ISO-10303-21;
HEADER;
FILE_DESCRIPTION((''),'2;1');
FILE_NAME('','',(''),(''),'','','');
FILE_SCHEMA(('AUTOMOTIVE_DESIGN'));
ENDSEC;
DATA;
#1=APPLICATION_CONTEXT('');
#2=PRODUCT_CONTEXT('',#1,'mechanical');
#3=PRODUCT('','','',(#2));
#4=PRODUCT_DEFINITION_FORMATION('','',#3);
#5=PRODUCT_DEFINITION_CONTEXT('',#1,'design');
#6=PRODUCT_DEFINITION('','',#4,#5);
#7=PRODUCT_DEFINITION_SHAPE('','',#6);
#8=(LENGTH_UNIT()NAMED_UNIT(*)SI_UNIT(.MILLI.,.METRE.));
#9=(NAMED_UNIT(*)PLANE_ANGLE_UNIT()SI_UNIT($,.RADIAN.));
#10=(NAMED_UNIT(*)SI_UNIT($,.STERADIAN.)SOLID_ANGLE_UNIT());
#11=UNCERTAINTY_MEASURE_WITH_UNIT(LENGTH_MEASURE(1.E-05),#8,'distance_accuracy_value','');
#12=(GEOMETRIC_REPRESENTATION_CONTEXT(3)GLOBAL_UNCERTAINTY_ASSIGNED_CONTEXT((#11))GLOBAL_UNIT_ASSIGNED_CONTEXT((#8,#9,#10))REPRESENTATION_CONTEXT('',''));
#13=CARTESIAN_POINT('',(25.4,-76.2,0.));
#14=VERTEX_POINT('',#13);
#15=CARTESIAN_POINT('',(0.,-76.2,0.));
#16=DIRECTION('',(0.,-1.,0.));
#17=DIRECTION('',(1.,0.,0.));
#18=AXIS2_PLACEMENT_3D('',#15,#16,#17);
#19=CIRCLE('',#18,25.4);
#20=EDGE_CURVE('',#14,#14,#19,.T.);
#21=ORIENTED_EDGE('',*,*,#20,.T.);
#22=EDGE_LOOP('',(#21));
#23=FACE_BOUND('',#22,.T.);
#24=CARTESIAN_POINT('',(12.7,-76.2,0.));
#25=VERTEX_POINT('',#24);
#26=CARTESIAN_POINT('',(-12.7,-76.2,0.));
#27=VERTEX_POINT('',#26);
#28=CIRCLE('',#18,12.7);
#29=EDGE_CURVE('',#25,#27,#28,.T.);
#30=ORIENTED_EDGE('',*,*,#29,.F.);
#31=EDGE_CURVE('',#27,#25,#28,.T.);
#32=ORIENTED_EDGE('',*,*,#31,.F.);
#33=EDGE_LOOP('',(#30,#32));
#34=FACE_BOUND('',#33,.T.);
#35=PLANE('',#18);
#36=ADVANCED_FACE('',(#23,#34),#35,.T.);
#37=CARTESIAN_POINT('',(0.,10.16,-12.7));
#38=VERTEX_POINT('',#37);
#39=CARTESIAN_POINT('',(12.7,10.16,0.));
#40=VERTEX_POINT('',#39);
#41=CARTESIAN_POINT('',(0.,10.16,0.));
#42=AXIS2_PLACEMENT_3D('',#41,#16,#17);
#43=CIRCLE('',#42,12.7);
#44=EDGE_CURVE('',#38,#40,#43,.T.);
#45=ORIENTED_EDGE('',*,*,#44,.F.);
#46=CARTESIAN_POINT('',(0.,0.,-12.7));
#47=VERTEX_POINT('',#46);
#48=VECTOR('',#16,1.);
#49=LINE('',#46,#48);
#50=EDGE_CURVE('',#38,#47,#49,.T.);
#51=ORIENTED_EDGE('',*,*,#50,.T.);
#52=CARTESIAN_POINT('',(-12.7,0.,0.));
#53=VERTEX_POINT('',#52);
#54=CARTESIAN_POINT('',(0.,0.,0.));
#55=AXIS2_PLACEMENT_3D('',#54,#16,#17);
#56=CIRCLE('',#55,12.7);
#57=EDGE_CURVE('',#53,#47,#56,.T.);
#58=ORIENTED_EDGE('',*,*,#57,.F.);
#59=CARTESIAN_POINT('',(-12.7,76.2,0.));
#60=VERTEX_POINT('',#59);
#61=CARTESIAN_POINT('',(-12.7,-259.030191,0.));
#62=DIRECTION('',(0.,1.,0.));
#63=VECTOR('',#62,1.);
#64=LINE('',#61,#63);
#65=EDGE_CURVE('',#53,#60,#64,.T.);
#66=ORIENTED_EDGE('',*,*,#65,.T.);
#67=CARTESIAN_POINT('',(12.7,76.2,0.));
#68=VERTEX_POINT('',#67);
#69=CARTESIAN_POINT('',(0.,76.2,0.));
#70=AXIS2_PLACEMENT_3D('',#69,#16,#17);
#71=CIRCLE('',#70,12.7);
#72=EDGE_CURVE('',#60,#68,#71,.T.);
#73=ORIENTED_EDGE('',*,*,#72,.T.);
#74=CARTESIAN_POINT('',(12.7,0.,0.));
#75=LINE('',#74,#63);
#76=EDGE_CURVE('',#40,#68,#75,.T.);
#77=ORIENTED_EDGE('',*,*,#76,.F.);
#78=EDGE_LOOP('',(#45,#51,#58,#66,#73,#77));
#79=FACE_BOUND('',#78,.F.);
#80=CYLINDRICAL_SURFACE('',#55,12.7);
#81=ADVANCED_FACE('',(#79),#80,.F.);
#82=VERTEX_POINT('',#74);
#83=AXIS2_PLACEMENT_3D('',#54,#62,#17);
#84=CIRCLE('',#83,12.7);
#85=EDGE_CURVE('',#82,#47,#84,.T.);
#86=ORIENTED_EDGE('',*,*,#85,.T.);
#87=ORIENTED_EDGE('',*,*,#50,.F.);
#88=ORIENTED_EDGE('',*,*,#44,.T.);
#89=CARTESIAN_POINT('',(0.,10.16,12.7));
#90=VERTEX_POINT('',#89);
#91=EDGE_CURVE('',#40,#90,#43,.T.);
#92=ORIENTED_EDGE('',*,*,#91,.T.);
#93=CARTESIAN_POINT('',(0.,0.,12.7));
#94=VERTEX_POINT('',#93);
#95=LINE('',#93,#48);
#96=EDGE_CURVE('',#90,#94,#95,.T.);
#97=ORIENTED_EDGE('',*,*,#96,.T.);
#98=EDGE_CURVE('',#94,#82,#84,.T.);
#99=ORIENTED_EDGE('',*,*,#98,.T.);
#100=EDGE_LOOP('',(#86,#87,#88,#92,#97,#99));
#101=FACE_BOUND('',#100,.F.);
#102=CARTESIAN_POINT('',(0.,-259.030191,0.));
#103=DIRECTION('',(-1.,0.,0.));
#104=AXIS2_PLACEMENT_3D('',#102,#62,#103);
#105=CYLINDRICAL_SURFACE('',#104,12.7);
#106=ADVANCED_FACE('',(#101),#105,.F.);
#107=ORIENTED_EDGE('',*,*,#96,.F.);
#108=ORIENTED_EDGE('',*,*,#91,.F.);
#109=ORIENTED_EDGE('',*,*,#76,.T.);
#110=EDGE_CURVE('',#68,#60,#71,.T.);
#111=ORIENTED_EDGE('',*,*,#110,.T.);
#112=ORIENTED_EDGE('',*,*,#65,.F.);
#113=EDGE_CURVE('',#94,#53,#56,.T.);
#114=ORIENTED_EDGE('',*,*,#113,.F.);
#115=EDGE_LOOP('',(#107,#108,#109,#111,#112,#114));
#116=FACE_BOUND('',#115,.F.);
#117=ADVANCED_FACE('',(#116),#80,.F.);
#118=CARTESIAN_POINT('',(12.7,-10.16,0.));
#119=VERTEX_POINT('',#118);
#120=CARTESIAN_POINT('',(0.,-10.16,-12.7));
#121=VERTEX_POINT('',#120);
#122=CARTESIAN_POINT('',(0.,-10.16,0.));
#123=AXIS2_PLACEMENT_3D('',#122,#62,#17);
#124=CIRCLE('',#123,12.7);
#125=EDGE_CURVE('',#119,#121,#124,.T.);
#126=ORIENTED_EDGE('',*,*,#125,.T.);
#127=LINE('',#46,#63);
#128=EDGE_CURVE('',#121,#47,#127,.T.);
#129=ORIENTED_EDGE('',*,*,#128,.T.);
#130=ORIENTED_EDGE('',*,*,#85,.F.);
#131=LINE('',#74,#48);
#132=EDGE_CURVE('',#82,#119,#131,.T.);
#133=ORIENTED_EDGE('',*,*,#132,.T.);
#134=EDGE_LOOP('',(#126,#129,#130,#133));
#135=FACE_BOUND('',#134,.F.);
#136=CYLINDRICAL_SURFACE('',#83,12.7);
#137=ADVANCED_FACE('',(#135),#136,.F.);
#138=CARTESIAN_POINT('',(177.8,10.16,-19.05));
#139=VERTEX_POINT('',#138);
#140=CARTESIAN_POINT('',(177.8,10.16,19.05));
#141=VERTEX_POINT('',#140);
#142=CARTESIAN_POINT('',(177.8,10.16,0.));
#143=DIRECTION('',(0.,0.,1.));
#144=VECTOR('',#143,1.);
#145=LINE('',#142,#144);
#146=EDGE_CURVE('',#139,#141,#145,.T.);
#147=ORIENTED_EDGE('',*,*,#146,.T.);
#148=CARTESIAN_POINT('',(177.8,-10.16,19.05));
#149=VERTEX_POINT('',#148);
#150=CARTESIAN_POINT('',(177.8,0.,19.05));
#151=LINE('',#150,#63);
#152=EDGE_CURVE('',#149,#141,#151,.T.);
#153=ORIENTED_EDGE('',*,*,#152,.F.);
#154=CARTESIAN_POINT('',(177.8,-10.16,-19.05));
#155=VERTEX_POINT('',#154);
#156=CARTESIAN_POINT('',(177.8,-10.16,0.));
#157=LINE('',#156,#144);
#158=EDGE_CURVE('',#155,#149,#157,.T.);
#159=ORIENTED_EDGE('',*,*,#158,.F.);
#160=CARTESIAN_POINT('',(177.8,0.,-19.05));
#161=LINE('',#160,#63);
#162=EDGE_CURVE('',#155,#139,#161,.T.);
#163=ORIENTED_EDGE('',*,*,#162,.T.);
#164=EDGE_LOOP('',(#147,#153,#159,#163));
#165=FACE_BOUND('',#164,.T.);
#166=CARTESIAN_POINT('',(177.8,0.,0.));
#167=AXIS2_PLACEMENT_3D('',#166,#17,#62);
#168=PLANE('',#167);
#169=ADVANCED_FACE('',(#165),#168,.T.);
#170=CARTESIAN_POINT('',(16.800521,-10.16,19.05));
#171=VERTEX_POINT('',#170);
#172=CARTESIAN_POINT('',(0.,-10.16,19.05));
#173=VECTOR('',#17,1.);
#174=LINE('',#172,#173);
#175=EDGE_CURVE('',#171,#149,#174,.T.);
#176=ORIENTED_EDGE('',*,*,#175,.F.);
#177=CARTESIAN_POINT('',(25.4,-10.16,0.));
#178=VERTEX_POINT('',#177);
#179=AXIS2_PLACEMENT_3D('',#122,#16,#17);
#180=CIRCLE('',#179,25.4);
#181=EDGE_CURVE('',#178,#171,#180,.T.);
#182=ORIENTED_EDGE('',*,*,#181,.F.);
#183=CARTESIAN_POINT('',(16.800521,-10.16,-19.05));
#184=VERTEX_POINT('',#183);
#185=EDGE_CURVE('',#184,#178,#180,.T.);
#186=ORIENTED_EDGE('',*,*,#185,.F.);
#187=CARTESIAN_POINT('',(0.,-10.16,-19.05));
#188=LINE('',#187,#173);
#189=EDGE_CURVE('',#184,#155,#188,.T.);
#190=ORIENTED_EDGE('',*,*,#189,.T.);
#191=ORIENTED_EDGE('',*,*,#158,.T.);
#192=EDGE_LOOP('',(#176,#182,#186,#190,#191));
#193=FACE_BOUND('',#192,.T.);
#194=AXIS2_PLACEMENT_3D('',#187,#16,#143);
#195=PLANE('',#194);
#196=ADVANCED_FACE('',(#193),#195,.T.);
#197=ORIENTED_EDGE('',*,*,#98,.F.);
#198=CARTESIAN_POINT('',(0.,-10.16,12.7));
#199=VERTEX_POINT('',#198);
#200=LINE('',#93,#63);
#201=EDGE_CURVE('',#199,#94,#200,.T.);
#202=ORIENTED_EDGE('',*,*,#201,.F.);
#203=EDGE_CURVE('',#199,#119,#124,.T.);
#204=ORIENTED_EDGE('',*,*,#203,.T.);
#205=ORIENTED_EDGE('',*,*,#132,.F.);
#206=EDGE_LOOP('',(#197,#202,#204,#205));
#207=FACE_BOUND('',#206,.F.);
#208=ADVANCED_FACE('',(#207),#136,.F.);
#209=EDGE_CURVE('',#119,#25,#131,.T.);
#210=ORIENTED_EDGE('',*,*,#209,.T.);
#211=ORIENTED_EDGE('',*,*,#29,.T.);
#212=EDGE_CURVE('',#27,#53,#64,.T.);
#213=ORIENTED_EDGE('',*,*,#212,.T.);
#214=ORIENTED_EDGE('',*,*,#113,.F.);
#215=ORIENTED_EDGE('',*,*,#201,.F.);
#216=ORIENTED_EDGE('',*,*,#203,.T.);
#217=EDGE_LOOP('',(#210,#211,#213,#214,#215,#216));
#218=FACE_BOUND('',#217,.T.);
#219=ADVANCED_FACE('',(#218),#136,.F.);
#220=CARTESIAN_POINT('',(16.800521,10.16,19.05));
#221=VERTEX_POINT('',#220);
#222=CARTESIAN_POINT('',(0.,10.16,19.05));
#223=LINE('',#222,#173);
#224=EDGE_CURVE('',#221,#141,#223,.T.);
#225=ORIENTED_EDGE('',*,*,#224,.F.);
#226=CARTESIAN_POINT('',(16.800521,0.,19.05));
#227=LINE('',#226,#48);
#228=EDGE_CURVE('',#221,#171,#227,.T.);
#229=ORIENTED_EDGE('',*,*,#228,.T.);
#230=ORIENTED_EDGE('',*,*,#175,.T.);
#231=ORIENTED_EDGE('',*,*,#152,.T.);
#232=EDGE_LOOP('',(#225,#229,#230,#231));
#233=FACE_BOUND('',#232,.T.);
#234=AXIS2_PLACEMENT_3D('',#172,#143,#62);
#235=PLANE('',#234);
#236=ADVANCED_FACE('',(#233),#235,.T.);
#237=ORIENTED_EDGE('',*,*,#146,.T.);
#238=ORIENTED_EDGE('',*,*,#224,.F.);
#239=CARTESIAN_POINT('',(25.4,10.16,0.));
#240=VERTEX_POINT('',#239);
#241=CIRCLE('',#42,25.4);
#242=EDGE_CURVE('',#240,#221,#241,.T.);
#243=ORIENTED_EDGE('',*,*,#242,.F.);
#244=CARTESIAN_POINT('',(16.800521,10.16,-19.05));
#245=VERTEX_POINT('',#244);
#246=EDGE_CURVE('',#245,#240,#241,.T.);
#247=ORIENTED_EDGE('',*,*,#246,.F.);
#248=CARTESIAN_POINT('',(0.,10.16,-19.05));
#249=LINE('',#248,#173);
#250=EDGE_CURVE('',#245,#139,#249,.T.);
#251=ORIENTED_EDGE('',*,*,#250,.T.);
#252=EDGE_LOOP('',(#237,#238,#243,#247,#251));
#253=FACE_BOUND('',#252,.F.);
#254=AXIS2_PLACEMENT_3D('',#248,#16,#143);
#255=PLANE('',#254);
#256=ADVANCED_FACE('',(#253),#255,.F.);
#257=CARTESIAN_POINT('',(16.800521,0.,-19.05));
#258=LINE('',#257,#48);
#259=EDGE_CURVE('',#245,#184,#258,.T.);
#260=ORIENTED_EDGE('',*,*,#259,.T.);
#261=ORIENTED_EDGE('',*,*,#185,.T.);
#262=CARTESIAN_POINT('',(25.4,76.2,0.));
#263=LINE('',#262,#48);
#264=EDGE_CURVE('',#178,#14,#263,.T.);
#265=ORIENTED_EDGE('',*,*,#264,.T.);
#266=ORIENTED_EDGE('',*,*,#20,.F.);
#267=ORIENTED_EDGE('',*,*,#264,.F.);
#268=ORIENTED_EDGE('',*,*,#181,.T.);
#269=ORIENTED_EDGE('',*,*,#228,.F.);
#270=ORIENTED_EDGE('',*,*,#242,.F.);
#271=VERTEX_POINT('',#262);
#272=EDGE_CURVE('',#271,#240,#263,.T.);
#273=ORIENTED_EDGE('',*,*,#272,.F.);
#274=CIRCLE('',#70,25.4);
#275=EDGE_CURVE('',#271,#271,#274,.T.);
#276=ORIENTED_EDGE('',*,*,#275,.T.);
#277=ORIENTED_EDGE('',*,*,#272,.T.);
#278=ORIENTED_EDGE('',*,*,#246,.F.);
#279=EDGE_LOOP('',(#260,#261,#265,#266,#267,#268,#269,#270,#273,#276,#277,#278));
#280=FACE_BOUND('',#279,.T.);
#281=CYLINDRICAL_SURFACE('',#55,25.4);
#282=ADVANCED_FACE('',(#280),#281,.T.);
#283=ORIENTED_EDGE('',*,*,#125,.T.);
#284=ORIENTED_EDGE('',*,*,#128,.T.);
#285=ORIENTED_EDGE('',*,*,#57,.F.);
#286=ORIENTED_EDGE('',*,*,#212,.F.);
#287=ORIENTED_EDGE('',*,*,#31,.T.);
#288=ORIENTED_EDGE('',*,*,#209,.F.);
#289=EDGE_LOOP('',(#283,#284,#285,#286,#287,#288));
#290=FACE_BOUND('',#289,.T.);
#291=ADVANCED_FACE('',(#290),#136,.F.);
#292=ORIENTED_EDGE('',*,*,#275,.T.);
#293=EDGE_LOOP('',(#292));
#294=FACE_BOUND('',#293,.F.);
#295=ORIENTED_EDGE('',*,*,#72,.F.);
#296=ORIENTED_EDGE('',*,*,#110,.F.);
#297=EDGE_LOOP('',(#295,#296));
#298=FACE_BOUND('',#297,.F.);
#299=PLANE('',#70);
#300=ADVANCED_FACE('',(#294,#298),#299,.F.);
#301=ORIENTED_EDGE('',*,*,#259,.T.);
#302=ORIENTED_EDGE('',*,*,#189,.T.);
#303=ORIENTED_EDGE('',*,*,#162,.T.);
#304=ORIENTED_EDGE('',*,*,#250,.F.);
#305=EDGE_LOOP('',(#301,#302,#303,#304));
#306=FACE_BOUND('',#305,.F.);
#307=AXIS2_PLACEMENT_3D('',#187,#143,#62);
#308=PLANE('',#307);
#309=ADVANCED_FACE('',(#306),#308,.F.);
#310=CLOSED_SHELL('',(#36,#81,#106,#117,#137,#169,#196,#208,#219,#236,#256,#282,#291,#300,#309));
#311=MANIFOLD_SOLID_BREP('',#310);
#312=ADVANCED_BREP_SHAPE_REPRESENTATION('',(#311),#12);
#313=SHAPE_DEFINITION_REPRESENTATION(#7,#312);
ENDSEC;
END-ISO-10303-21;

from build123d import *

# Parameters (mm, degrees)
F0_R     = 25.4
F0_R_2   = 12.7
F1_DEPTH = 76.2
F2_DEPTH = 76.2
F3_W     = 20.32
F3_H     = 38.1
F4_DEPTH = 177.8
F5_D     = 25.4
F5_DEPTH = 76.201
F6_D     = 25.4


with BuildPart() as f1:
    # F0 (on Front) → F1 (new body)
    with BuildSketch(Plane.XZ):
        Circle(F0_R)
        Circle(F0_R_2, mode=Mode.SUBTRACT)
    extrude(amount=F1_DEPTH)

    # F2 (add): a face of the model
    f2_faces = [f1.faces().sort_by_distance(p)[0] for p in [
        (-24.6815795103, 0, 0),
    ]]
    extrude(f2_faces, amount=F2_DEPTH)

    # F3 (on Right) → F4 (join)
    with BuildSketch(Plane.YZ):
        Rectangle(F3_W, F3_H)
    extrude(amount=F4_DEPTH)

    # F5 (through all, one way)
    with BuildSketch(Plane(origin=(0, 0, 0), x_dir=(1, 0, 0), z_dir=(0, 1, 0))):
        with Locations((0, 0)):
            Circle(F5_D / 2)
    extrude(amount=-F5_DEPTH, mode=Mode.SUBTRACT)

    # F6 (through all)
    with Locations(Plane.XZ):
        with Locations((0, 0)):
            Hole(F6_D / 2)


solid = f1.part
